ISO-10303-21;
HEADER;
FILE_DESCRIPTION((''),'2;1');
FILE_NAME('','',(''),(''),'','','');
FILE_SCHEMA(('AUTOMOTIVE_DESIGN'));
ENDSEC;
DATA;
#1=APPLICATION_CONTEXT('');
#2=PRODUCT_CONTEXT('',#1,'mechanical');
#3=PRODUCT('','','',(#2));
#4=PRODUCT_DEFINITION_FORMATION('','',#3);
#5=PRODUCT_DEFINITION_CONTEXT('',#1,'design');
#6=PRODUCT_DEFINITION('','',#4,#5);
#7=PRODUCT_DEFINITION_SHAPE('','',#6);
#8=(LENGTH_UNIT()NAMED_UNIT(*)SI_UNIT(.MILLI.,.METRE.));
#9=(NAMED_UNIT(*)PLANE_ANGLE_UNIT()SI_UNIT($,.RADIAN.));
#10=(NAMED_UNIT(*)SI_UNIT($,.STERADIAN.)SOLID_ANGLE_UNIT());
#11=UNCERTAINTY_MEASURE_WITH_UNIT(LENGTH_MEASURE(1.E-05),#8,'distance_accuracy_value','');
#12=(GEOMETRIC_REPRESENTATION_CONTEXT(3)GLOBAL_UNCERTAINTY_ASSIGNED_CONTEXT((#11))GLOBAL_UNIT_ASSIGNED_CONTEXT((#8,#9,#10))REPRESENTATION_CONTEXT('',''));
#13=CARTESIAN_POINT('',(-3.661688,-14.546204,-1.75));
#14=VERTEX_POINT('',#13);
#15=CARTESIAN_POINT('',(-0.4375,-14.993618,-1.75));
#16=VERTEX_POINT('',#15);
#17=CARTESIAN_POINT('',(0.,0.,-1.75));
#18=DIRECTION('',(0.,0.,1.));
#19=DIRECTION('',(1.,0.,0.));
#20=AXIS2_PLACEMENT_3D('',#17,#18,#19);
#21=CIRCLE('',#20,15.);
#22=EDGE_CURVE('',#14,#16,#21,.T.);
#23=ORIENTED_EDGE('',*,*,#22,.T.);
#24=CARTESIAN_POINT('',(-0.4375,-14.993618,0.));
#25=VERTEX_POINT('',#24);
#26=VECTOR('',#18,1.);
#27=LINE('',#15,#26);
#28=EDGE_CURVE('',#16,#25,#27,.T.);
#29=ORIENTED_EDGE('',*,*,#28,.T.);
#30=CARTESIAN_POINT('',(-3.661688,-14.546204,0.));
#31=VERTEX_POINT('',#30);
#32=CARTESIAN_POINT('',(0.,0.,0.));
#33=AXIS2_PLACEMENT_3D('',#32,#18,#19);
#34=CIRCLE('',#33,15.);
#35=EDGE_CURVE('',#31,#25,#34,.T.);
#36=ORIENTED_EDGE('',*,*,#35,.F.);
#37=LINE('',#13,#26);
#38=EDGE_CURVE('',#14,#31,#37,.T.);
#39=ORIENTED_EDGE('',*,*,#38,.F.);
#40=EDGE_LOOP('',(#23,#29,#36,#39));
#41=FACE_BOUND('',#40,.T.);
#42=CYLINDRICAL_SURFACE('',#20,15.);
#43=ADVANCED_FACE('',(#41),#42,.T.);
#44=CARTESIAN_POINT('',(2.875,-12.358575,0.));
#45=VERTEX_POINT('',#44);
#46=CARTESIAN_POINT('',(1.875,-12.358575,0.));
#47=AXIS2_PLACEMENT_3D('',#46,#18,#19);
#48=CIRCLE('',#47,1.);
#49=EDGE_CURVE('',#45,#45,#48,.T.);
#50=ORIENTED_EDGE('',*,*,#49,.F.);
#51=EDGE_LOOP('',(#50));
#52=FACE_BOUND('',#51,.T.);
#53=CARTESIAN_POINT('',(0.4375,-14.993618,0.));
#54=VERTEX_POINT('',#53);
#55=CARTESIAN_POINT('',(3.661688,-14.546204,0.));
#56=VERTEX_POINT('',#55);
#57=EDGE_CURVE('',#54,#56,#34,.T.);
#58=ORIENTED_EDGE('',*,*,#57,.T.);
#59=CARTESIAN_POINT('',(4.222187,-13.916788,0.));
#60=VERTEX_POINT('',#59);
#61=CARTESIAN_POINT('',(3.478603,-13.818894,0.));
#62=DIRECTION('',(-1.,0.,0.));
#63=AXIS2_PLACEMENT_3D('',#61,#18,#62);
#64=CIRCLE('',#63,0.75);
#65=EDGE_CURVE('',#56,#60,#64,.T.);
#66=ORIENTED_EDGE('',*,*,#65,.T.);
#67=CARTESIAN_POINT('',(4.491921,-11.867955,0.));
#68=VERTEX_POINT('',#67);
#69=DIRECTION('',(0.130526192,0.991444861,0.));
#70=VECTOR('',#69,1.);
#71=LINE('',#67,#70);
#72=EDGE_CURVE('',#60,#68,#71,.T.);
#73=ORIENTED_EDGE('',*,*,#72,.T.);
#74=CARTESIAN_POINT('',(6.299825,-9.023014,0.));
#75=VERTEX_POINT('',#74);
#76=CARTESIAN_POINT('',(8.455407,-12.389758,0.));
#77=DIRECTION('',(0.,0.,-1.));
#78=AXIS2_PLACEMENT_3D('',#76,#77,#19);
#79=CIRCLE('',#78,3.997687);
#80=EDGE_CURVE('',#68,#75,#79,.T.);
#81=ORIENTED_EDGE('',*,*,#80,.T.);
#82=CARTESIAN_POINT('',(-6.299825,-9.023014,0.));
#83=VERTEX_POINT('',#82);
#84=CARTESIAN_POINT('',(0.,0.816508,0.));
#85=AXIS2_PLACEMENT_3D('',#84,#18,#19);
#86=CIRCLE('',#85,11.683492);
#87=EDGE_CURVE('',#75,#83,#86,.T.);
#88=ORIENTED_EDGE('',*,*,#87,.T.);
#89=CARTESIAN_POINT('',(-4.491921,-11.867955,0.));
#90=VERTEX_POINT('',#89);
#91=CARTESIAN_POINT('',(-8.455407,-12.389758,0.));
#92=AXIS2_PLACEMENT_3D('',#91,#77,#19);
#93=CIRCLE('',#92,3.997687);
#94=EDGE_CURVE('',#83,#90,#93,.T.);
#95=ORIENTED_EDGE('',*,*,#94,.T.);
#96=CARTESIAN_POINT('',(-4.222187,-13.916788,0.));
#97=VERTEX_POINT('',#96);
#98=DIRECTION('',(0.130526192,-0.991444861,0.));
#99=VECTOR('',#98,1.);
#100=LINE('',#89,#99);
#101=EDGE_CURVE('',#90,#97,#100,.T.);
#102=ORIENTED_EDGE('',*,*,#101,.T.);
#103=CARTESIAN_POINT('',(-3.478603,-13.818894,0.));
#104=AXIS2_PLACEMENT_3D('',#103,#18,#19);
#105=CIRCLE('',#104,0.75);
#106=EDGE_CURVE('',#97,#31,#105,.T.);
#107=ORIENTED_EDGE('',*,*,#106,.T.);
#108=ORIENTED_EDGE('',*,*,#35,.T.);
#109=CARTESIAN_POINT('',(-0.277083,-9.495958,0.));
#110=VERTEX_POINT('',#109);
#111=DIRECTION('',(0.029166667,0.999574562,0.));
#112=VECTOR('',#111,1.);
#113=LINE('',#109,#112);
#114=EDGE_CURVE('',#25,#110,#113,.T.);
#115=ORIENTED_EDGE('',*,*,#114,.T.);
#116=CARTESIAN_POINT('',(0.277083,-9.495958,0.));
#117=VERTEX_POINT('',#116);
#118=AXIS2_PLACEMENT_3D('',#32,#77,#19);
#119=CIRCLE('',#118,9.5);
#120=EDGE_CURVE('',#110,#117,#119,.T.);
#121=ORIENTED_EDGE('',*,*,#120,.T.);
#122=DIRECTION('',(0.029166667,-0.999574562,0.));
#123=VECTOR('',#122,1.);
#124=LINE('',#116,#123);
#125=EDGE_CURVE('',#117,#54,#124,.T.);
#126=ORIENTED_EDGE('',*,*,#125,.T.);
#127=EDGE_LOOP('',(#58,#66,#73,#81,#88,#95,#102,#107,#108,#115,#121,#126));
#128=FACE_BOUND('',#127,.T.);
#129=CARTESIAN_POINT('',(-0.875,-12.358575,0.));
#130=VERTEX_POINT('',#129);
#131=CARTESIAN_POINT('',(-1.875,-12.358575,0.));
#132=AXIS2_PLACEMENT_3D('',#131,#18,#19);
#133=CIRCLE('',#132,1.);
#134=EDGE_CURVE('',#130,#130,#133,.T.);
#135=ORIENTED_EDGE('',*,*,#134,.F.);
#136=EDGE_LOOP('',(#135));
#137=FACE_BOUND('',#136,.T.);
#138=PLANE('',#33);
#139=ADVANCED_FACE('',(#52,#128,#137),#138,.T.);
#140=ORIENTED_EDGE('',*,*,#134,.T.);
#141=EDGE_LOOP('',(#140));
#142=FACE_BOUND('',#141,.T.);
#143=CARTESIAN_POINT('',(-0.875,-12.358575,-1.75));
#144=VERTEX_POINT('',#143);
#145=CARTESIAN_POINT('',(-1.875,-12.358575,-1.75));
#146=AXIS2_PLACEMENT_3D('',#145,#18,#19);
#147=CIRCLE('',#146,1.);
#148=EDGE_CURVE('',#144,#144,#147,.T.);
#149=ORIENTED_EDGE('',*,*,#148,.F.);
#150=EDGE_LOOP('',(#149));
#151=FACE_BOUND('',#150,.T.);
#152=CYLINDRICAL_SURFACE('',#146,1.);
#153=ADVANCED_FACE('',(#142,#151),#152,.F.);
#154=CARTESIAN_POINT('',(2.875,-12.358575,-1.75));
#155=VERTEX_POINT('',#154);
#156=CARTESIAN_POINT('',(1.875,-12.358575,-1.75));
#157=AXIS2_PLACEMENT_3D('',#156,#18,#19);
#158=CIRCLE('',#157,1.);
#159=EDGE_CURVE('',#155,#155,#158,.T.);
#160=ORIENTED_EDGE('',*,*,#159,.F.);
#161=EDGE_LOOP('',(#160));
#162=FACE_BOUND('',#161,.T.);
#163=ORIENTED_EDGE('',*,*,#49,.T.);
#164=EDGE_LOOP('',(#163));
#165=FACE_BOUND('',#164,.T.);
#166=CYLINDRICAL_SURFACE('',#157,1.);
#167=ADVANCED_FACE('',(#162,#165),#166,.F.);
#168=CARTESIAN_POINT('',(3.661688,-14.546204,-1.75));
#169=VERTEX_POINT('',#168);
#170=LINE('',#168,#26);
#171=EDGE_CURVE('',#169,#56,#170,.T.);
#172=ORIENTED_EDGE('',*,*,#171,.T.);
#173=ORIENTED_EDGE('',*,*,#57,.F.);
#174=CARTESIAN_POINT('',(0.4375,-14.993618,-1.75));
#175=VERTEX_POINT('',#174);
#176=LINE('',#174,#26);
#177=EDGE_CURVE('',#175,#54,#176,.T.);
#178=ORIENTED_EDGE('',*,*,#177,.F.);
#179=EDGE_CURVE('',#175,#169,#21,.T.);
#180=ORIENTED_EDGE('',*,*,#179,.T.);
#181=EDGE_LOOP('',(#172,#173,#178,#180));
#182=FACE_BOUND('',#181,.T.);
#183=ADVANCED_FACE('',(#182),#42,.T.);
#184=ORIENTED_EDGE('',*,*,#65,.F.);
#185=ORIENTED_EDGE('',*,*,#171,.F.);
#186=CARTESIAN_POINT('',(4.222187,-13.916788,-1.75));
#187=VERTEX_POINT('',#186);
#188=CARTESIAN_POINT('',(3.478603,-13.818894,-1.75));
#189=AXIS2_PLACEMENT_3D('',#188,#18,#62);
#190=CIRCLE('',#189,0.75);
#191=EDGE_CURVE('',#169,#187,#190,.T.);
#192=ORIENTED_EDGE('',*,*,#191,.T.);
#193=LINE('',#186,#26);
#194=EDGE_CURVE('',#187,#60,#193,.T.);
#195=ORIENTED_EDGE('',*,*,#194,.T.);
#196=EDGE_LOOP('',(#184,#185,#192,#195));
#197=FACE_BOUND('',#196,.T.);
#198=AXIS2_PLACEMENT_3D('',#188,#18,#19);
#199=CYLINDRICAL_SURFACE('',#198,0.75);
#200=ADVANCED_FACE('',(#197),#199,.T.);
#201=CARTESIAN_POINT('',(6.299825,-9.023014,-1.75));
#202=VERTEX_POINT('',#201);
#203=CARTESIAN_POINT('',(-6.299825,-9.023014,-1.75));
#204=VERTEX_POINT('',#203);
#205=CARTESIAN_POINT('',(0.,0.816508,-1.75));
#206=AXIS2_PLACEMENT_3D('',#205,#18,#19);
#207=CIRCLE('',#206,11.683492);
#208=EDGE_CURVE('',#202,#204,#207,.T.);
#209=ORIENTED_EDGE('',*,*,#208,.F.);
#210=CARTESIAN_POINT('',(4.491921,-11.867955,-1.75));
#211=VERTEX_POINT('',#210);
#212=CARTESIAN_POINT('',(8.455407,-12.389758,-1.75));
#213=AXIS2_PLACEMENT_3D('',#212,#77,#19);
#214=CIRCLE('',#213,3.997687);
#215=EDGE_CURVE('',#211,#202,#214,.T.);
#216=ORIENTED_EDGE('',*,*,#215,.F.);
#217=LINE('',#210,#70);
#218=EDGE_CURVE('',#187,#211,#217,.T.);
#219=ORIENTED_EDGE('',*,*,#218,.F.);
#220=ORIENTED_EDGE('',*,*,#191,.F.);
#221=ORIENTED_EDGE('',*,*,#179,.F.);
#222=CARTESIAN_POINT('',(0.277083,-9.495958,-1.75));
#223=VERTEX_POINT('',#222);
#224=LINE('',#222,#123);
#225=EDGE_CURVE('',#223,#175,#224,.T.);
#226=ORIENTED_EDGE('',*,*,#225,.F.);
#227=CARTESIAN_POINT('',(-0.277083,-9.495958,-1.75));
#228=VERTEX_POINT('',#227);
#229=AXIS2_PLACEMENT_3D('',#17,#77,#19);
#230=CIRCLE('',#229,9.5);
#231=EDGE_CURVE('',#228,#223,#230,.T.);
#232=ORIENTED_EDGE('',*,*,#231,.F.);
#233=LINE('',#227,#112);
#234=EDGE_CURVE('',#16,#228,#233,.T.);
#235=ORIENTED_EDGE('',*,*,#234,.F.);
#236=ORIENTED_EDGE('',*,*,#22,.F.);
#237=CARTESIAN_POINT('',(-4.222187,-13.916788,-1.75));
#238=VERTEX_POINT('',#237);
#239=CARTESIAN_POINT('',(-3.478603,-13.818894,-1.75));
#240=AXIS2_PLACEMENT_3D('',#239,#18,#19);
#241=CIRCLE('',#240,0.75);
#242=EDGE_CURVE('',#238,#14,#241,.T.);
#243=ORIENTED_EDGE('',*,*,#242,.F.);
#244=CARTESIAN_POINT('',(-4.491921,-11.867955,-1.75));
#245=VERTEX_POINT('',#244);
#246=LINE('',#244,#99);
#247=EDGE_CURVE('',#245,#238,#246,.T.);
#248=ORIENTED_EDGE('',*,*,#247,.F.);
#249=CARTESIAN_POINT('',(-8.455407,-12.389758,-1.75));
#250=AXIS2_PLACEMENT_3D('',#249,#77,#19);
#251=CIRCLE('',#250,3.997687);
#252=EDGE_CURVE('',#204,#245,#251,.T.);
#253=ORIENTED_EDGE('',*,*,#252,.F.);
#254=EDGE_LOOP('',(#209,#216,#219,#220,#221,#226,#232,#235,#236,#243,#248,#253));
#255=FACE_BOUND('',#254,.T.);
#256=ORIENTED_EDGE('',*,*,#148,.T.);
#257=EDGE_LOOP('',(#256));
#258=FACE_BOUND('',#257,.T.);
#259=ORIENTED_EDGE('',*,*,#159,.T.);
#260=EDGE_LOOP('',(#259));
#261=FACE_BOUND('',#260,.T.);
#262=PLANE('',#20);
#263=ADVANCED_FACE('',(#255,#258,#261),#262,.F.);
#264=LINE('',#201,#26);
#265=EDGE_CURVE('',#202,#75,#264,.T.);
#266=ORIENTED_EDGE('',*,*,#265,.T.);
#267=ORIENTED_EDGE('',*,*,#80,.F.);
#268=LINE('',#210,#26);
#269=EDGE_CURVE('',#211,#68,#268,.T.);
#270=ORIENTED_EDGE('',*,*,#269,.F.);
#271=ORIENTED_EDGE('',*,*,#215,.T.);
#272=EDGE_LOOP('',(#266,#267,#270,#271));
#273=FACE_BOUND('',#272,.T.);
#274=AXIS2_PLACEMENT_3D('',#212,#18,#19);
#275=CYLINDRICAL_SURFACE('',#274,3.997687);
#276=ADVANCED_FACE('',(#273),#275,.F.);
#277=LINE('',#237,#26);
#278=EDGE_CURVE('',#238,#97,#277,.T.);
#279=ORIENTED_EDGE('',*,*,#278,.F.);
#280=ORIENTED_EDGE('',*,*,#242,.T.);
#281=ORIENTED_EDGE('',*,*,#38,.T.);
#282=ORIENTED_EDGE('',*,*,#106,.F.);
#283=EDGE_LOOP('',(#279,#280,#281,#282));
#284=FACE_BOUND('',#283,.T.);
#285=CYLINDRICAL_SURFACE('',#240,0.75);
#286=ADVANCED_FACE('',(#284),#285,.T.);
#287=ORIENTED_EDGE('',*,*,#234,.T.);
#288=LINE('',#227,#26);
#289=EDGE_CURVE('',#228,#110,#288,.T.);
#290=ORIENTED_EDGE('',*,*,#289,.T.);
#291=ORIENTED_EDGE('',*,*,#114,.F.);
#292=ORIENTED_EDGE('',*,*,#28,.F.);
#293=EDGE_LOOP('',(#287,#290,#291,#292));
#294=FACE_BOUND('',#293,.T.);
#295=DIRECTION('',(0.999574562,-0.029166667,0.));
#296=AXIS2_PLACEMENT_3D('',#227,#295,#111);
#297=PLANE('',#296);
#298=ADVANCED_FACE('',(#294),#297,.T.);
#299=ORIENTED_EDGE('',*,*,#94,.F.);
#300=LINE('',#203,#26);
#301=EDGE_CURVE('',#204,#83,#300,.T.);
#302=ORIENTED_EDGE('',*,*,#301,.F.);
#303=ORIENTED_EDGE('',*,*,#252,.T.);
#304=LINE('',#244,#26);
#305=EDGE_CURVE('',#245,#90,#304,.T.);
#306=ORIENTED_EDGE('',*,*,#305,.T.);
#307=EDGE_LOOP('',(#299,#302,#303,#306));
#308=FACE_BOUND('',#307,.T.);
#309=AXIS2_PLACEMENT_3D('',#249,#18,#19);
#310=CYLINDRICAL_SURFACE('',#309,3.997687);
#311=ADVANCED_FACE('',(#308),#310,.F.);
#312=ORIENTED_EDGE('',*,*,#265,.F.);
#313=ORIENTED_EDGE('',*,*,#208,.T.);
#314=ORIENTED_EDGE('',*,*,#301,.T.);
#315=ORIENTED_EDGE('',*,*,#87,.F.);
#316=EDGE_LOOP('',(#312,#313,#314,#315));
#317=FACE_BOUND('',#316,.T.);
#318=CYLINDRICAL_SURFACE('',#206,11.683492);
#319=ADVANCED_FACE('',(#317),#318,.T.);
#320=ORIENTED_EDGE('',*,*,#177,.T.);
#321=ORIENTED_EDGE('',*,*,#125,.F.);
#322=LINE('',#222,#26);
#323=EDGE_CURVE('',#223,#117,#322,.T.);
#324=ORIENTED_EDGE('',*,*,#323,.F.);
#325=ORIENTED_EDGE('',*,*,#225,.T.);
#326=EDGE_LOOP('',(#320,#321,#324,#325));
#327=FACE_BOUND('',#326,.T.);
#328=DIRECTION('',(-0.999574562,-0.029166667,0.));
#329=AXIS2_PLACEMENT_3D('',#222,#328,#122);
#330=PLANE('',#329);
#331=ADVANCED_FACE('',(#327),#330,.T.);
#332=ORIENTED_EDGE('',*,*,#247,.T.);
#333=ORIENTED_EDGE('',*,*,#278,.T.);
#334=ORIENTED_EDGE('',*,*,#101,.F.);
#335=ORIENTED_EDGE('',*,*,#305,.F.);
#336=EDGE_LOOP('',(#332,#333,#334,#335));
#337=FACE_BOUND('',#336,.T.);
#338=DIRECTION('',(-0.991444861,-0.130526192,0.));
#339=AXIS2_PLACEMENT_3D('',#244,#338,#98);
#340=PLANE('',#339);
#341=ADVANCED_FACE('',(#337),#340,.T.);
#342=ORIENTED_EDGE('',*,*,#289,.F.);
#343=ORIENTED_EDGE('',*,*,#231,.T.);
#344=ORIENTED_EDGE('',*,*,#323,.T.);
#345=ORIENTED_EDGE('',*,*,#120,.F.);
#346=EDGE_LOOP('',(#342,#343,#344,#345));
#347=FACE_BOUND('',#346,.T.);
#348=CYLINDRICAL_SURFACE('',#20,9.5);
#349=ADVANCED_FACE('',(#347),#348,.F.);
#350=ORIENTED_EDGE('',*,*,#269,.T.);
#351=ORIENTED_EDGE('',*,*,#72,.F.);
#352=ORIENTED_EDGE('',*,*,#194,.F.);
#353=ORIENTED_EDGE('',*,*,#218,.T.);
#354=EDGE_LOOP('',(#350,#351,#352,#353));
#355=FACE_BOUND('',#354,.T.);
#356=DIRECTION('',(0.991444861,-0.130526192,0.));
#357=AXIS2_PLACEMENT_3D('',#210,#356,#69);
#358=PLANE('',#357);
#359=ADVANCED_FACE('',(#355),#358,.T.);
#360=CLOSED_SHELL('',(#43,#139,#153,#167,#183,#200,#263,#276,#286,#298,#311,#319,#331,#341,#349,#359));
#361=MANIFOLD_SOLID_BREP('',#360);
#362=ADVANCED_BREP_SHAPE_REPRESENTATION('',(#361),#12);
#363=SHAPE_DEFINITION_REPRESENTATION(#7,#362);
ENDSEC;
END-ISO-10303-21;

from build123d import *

# Parameters (mm, degrees)
BODYSKE_R  = 1
BODY_DEPTH = 1.75


with BuildPart() as part:
    # BodySke → Body (new body)
    with BuildSketch(Plane.XY):
        with BuildLine():
            Line((0.277083333, -9.495958342), (0.4375, -14.993618434))
            ThreePointArc((0.4375, -14.993618434), (2.061766267, -14.857628339), (3.6616878, -14.546203713))
            ThreePointArc((3.6616878, -14.546203713), (4.038710001, -14.317672643), (4.222187056, -13.916788171))
            Line((4.222187056, -13.916788171), (4.491921103, -11.867954674))
            ThreePointArc((4.491921103, -11.867954674), (5.081363333, -10.245619428), (6.299824924, -9.023013545))
            ThreePointArc((6.299824924, -9.023013545), (0, 12.5), (-6.299824924, -9.023013545))
            ThreePointArc((-6.299824924, -9.023013545), (-5.081363333, -10.245619428), (-4.491921103, -11.867954674))
            Line((-4.491921103, -11.867954674), (-4.222187056, -13.916788171))
            ThreePointArc((-4.222187056, -13.916788171), (-4.038710001, -14.317672643), (-3.6616878, -14.546203713))
            ThreePointArc((-3.6616878, -14.546203713), (-2.061766267, -14.857628339), (-0.4375, -14.993618434))
            Line((-0.4375, -14.993618434), (-0.277083333, -9.495958342))
            ThreePointArc((-0.277083333, -9.495958342), (0, 9.5), (0.277083333, -9.495958342))
        make_face()
        with Locations((1.875, -12.358574958)):
            Circle(BODYSKE_R, mode=Mode.SUBTRACT)
        with Locations((-1.875, -12.358574958)):
            Circle(BODYSKE_R, mode=Mode.SUBTRACT)
    extrude(amount=-BODY_DEPTH)


solid = part.part
